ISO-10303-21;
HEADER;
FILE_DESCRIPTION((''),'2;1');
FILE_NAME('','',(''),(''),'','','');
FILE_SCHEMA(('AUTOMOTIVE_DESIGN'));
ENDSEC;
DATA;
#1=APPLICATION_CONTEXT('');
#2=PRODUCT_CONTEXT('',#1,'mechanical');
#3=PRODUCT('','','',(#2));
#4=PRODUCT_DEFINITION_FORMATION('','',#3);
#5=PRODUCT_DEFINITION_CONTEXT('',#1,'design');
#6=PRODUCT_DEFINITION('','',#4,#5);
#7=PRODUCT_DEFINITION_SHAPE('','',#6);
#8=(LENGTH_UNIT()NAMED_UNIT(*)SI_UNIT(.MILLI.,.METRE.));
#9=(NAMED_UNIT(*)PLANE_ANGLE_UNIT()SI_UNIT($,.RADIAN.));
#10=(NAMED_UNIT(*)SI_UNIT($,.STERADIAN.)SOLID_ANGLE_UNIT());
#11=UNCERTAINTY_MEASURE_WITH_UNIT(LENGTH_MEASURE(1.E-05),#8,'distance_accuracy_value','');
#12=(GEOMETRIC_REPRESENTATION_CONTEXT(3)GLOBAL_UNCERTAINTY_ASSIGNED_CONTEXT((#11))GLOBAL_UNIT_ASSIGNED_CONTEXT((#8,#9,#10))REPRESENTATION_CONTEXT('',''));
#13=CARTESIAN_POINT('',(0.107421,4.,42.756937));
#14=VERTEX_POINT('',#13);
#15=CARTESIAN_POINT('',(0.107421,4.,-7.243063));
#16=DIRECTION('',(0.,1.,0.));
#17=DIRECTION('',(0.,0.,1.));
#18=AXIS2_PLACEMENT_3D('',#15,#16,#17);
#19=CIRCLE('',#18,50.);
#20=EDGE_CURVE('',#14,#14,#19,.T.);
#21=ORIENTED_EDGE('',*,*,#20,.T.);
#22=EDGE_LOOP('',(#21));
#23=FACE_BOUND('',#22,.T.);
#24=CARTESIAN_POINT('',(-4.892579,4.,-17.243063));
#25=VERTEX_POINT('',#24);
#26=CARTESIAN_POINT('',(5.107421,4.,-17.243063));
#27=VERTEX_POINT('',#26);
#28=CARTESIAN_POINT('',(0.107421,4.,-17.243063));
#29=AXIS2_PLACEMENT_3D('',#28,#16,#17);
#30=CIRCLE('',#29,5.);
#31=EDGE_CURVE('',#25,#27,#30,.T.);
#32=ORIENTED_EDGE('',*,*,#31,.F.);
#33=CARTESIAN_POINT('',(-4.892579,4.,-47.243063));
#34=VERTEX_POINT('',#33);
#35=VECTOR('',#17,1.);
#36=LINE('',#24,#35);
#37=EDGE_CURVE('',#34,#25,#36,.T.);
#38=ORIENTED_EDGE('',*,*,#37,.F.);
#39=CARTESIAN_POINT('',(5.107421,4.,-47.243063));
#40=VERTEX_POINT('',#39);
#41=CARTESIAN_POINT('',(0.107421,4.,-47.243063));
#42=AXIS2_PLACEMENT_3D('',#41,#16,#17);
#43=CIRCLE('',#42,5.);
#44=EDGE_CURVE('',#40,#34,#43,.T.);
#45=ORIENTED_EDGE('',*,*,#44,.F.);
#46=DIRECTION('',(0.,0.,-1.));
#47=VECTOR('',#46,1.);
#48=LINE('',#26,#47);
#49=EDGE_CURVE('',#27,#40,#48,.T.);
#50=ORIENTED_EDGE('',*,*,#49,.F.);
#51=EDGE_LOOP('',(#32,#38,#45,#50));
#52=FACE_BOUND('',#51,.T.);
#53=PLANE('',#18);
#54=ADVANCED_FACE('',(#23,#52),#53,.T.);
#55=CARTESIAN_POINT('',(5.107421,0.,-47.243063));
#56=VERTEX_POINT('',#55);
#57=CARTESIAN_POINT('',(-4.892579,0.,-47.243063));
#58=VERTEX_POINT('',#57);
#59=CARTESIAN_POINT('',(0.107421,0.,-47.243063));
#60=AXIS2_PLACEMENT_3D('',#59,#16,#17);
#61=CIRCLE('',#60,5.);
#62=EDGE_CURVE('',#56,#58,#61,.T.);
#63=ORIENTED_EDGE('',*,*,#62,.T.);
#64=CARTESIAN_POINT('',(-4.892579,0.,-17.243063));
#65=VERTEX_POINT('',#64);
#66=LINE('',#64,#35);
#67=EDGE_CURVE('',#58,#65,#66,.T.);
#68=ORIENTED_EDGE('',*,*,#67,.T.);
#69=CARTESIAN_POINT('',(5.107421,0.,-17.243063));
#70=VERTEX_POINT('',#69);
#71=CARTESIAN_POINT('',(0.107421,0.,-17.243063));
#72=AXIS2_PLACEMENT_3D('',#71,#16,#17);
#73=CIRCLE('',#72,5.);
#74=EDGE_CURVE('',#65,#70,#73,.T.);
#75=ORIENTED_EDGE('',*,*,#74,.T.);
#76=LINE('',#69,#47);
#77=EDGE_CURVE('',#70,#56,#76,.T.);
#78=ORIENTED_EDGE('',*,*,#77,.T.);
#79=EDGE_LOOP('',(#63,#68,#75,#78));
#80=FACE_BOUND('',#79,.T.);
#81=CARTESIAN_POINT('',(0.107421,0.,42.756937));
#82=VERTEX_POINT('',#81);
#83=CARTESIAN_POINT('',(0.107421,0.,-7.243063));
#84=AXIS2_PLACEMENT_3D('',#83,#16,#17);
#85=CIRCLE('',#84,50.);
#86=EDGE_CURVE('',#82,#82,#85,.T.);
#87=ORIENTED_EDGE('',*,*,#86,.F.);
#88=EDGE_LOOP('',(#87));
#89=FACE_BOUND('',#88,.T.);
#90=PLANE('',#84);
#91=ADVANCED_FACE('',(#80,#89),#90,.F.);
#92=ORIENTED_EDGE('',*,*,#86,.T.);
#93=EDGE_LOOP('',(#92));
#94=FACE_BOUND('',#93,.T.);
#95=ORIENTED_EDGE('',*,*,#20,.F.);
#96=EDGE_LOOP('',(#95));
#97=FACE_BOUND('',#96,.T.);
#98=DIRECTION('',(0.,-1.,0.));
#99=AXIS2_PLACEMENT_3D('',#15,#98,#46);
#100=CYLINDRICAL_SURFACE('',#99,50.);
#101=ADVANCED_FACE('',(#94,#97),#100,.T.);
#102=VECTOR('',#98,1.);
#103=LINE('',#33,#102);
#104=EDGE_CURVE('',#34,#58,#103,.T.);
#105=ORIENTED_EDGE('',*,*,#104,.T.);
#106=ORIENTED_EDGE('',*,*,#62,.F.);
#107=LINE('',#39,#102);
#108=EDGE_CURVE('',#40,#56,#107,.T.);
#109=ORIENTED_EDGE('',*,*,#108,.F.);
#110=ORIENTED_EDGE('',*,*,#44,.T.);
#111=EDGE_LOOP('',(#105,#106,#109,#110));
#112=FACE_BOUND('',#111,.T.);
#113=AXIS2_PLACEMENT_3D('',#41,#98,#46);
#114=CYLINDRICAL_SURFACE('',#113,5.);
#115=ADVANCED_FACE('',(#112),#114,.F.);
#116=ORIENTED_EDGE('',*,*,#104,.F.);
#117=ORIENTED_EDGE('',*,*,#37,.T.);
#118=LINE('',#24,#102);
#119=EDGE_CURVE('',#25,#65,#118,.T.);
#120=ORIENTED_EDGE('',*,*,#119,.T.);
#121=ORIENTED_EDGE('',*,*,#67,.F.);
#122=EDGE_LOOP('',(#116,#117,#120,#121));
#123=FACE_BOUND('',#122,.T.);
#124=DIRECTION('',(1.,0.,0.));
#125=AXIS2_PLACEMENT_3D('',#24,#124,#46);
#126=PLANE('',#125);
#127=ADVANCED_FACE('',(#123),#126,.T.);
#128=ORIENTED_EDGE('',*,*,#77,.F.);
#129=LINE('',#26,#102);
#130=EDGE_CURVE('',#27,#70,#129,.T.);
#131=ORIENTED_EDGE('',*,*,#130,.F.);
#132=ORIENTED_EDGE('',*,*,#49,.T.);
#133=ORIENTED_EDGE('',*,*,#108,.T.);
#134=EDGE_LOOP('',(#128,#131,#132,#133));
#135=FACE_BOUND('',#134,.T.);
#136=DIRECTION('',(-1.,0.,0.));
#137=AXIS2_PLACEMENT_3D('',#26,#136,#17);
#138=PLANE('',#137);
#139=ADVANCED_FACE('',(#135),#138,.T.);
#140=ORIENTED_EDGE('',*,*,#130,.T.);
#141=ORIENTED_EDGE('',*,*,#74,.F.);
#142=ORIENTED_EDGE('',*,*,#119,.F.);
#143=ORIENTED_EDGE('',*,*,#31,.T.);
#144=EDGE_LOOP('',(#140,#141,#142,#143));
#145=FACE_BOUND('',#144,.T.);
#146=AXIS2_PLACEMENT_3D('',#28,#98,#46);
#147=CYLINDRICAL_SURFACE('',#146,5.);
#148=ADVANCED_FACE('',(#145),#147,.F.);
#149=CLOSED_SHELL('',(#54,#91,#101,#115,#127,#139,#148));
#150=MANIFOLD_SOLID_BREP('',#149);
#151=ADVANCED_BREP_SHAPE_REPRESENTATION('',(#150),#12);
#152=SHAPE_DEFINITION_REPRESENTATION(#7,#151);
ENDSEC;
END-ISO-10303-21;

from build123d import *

# Parameters (mm, degrees)
SKETCH1_R           = 50
BOSS_EXTRUDE1_DEPTH = 4


with BuildPart() as part:
    # Sketch1 → Boss-Extrude1 (new body)
    with BuildSketch(Plane(origin=(0, 0, 0), x_dir=(1, 0, 0), z_dir=(0, 1, 0))):
        with Locations((0.107420937, 7.243062526)):
            Circle(SKETCH1_R)
        with BuildLine():
            Line((-4.892579063, 17.243062526), (-4.892579063, 47.243062526))
            ThreePointArc((-4.892579063, 47.243062526), (0.107420937, 52.243062526), (5.107420937, 47.243062526))
            Line((5.107420937, 47.243062526), (5.107420937, 17.243062526))
            ThreePointArc((5.107420937, 17.243062526), (0.107420937, 12.243062526), (-4.892579063, 17.243062526))
        make_face(mode=Mode.SUBTRACT)
    extrude(amount=BOSS_EXTRUDE1_DEPTH)


solid = part.part
